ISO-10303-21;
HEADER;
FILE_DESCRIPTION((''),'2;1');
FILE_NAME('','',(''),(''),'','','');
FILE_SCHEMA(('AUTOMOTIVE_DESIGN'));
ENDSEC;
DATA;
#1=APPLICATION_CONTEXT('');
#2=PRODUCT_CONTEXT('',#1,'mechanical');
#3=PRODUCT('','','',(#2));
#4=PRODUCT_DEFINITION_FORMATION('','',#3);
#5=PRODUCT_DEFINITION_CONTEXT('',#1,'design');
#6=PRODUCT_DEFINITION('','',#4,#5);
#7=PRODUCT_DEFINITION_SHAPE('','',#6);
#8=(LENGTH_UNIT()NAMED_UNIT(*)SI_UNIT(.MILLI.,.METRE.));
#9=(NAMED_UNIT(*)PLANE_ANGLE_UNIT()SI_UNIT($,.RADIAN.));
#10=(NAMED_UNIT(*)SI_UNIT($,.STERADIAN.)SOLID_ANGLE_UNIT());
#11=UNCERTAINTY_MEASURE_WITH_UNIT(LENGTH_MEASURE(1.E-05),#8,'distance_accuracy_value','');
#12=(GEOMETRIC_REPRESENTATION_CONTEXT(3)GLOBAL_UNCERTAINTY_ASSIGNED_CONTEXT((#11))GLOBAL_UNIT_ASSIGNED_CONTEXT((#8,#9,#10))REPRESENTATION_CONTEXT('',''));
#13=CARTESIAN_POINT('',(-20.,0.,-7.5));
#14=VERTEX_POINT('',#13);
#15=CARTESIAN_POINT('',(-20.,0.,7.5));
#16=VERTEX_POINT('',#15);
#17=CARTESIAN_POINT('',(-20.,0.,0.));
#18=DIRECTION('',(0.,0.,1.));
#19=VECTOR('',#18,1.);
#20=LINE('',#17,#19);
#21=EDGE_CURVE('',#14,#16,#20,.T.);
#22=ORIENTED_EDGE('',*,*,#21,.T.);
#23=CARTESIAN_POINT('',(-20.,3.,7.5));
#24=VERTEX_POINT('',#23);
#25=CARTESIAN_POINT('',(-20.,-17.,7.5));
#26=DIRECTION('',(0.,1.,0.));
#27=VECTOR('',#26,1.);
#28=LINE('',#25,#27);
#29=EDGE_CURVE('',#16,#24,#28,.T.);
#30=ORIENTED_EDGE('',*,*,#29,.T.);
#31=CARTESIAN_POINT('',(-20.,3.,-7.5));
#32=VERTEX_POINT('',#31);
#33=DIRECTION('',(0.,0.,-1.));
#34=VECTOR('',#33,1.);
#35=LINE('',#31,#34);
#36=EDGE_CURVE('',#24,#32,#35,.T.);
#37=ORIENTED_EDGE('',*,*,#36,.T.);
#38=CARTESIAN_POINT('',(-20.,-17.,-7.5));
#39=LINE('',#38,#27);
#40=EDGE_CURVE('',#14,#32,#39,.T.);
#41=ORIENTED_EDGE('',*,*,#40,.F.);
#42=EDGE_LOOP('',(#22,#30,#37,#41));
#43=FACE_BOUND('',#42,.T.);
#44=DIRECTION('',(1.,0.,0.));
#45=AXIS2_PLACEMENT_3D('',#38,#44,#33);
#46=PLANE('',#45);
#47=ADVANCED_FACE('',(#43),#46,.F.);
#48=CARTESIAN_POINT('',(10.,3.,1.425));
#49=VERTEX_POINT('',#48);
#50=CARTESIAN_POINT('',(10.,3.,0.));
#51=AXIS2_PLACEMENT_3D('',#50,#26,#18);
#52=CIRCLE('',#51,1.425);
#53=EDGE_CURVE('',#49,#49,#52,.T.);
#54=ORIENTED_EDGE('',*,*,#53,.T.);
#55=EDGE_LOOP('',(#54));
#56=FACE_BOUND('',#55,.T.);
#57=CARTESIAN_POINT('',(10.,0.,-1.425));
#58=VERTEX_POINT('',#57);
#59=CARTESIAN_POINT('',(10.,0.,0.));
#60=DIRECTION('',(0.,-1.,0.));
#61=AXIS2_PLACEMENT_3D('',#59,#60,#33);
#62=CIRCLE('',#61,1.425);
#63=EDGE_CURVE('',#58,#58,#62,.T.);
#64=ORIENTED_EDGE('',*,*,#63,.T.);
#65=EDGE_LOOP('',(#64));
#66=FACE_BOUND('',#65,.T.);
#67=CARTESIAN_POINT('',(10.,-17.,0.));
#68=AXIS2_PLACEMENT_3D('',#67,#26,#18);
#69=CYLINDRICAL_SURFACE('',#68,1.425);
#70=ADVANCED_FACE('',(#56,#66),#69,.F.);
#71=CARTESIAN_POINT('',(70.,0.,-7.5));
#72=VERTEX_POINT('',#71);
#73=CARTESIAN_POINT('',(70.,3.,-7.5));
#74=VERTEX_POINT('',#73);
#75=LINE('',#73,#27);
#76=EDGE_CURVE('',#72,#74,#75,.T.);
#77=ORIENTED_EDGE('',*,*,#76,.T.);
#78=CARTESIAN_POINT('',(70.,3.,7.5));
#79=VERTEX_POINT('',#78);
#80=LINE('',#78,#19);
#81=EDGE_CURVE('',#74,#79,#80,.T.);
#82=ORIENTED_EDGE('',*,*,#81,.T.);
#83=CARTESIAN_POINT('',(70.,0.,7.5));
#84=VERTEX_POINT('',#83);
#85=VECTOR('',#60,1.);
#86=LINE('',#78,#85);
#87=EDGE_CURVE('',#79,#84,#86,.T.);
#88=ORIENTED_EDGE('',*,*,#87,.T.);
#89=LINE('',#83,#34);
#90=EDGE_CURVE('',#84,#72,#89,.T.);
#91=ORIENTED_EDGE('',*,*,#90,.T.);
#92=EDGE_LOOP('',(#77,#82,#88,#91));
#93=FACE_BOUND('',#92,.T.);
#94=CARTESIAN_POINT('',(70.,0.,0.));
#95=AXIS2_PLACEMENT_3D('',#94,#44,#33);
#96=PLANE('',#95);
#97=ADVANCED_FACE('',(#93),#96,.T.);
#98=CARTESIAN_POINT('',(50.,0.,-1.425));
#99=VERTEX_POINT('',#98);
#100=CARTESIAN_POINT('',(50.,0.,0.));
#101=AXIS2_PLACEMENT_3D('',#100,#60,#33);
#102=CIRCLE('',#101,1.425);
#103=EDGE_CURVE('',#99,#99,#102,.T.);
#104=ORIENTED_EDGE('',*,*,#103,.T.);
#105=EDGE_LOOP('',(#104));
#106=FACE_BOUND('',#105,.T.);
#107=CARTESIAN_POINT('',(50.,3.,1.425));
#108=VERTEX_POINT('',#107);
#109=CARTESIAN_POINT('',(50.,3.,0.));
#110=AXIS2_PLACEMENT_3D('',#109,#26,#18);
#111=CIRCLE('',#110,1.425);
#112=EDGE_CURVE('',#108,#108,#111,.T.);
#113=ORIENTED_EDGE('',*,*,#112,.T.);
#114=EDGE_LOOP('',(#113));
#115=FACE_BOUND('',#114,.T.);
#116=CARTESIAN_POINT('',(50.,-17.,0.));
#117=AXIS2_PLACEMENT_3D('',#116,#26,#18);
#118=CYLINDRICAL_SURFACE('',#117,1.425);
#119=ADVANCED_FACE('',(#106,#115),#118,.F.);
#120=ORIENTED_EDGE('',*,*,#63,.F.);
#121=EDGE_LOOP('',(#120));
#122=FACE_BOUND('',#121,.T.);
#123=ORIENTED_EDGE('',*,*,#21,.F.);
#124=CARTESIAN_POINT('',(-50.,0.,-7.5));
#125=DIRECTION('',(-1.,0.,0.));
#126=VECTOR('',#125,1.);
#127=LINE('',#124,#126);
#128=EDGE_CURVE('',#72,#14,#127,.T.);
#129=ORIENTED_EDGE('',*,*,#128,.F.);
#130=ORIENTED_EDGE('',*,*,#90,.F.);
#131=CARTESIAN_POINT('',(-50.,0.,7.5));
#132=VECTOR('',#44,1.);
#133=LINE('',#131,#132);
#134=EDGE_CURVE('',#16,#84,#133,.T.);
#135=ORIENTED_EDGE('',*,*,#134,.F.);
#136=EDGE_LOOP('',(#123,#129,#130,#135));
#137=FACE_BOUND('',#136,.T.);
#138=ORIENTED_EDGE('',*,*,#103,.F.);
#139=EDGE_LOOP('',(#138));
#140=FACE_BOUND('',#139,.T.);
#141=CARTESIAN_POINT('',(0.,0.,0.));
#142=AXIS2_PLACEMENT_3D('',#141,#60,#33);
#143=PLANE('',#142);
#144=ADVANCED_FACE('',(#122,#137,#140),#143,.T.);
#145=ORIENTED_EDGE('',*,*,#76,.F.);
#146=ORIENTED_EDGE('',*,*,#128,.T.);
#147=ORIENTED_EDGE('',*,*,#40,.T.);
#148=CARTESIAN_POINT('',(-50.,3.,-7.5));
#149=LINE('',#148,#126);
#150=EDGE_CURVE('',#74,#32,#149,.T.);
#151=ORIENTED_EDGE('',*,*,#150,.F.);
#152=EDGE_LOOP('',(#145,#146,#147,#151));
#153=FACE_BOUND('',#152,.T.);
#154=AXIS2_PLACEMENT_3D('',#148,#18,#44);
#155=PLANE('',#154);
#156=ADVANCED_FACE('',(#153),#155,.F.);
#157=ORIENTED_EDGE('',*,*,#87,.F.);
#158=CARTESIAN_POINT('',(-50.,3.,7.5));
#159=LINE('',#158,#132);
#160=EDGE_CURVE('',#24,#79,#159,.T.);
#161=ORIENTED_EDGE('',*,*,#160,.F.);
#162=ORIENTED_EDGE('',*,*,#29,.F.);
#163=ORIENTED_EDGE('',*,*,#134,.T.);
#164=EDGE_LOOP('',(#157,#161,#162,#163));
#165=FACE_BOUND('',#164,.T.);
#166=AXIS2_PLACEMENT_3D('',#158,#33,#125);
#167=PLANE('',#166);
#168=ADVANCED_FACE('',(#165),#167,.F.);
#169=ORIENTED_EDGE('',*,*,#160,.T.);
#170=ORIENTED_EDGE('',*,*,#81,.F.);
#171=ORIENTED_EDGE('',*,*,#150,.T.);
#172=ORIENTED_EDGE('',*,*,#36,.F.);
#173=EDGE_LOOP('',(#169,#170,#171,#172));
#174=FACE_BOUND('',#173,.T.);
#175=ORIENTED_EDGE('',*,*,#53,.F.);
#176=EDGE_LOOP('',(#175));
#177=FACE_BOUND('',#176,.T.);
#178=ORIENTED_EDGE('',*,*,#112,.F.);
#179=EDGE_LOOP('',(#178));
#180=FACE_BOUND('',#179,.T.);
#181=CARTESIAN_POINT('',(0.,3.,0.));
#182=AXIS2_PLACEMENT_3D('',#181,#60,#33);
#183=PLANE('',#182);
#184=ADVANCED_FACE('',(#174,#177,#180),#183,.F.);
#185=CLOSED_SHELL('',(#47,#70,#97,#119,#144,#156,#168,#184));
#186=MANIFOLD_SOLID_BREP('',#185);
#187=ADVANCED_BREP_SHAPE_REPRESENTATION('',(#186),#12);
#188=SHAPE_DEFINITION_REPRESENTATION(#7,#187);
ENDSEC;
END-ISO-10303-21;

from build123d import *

# Parameters (mm, degrees)
SKETCH1_W           = 100
SKETCH1_H           = 15
BOSS_EXTRUDE1_DEPTH = 3
SKETCH2_R           = 1
CUT_EXTRUDE1_DEPTH  = 10
SKETCH3_R           = 2.5
CUT_EXTRUDE2_DEPTH  = 10
CUT_EXTRUDE3_DEPTH  = 10
FILLET1_R           = 5
FILLET2_R           = 1
SKETCH7_W           = 15
SKETCH7_H           = 3
BOSS_EXTRUDE2_DEPTH = 20
SKETCH8_W           = 41.116503549
SKETCH8_H           = 15
CUT_EXTRUDE6_DEPTH  = 20
SKETCH9_R           = 1.425
CUT_EXTRUDE7_DEPTH  = 20


with BuildPart() as part:
    # Sketch1 → Boss-Extrude1 (new body)
    with BuildSketch(Plane(origin=(0, 0, 0), x_dir=(1, 0, 0), z_dir=(0, 1, 0))):
        Rectangle(SKETCH1_W, SKETCH1_H)
    extrude(amount=BOSS_EXTRUDE1_DEPTH)

    # Sketch2 → Cut-Extrude1 (cut)
    with BuildSketch(Plane(origin=(0, 3, 0), x_dir=(1, 0, 0), z_dir=(0, 1, 0))):
        with Locations((-28.87, 0)):
            Circle(SKETCH2_R)
        with Locations((-42, 0)):
            Circle(SKETCH2_R)
    extrude(amount=-CUT_EXTRUDE1_DEPTH, mode=Mode.SUBTRACT)

    # Sketch3 → Cut-Extrude2 (cut)
    with BuildSketch(Plane.XZ):
        with Locations((-35.434103263, -0.006545742)):
            Circle(SKETCH3_R)
    extrude(amount=-CUT_EXTRUDE2_DEPTH, mode=Mode.SUBTRACT)

    # Sketch4 → Cut-Extrude3 (cut)
    with BuildSketch(Plane(origin=(0, 0, 0), x_dir=(-1, 0, 0), z_dir=(0, -1, 0))):
        with BuildLine():
            Line((50, 1.885031535), (50, 7.5))
            Line((50, 7.5), (39.062958866, 7.5))
            Line((39.062958866, 7.5), (41.762759664, 3.577599022))
            ThreePointArc((41.762759664, 3.577599022), (42.595166406, 2.79306797), (43.676751147, 2.42082557))
            Line((43.676751147, 2.42082557), (50, 1.885031535))
        make_face()
    cut_extrude3 = extrude(amount=-CUT_EXTRUDE3_DEPTH, mode=Mode.SUBTRACT)

    # Mirror1: Cut-Extrude3 across plane
    add(cut_extrude3.mirror(Plane.XY), mode=Mode.SUBTRACT)

    # Fillet1
    fillet1_edges = [part.edges().sort_by_distance(p)[0] for p in [
        (-39.062958866, 1.5, -7.5),
        (-39.062958866, 1.5, 7.5),
    ]]
    fillet(fillet1_edges, radius=FILLET1_R)

    # Fillet2
    fillet2_edges = [part.edges().sort_by_distance(p)[0] for p in [
        (-50, 1.5, -1.885031535),
        (-50, 1.5, 1.885031535),
    ]]
    fillet(fillet2_edges, radius=FILLET2_R)

    # Sketch7 → Boss-Extrude2 (add)
    with BuildSketch(Plane(origin=(50, 0, 0), x_dir=(0, 0, -1), z_dir=(1, 0, 0))):
        with Locations((0, 1.5)):
            Rectangle(SKETCH7_W, SKETCH7_H)
    extrude(amount=BOSS_EXTRUDE2_DEPTH)

    # Sketch8 → Cut-Extrude6 (cut)
    with BuildSketch(Plane(origin=(0, 3, 0), x_dir=(1, 0, 0), z_dir=(0, 1, 0))):
        with Locations((-40.558251775, 0)):
            Rectangle(SKETCH8_W, SKETCH8_H)
    extrude(amount=-CUT_EXTRUDE6_DEPTH, mode=Mode.SUBTRACT)

    # Sketch9 → Cut-Extrude7 (cut)
    with BuildSketch(Plane(origin=(0, 3, 0), x_dir=(1, 0, 0), z_dir=(0, 1, 0))):
        with Locations((50, 0)):
            Circle(SKETCH9_R)
        with Locations((10, 0)):
            Circle(SKETCH9_R)
    extrude(amount=-CUT_EXTRUDE7_DEPTH, mode=Mode.SUBTRACT)


solid = part.part
